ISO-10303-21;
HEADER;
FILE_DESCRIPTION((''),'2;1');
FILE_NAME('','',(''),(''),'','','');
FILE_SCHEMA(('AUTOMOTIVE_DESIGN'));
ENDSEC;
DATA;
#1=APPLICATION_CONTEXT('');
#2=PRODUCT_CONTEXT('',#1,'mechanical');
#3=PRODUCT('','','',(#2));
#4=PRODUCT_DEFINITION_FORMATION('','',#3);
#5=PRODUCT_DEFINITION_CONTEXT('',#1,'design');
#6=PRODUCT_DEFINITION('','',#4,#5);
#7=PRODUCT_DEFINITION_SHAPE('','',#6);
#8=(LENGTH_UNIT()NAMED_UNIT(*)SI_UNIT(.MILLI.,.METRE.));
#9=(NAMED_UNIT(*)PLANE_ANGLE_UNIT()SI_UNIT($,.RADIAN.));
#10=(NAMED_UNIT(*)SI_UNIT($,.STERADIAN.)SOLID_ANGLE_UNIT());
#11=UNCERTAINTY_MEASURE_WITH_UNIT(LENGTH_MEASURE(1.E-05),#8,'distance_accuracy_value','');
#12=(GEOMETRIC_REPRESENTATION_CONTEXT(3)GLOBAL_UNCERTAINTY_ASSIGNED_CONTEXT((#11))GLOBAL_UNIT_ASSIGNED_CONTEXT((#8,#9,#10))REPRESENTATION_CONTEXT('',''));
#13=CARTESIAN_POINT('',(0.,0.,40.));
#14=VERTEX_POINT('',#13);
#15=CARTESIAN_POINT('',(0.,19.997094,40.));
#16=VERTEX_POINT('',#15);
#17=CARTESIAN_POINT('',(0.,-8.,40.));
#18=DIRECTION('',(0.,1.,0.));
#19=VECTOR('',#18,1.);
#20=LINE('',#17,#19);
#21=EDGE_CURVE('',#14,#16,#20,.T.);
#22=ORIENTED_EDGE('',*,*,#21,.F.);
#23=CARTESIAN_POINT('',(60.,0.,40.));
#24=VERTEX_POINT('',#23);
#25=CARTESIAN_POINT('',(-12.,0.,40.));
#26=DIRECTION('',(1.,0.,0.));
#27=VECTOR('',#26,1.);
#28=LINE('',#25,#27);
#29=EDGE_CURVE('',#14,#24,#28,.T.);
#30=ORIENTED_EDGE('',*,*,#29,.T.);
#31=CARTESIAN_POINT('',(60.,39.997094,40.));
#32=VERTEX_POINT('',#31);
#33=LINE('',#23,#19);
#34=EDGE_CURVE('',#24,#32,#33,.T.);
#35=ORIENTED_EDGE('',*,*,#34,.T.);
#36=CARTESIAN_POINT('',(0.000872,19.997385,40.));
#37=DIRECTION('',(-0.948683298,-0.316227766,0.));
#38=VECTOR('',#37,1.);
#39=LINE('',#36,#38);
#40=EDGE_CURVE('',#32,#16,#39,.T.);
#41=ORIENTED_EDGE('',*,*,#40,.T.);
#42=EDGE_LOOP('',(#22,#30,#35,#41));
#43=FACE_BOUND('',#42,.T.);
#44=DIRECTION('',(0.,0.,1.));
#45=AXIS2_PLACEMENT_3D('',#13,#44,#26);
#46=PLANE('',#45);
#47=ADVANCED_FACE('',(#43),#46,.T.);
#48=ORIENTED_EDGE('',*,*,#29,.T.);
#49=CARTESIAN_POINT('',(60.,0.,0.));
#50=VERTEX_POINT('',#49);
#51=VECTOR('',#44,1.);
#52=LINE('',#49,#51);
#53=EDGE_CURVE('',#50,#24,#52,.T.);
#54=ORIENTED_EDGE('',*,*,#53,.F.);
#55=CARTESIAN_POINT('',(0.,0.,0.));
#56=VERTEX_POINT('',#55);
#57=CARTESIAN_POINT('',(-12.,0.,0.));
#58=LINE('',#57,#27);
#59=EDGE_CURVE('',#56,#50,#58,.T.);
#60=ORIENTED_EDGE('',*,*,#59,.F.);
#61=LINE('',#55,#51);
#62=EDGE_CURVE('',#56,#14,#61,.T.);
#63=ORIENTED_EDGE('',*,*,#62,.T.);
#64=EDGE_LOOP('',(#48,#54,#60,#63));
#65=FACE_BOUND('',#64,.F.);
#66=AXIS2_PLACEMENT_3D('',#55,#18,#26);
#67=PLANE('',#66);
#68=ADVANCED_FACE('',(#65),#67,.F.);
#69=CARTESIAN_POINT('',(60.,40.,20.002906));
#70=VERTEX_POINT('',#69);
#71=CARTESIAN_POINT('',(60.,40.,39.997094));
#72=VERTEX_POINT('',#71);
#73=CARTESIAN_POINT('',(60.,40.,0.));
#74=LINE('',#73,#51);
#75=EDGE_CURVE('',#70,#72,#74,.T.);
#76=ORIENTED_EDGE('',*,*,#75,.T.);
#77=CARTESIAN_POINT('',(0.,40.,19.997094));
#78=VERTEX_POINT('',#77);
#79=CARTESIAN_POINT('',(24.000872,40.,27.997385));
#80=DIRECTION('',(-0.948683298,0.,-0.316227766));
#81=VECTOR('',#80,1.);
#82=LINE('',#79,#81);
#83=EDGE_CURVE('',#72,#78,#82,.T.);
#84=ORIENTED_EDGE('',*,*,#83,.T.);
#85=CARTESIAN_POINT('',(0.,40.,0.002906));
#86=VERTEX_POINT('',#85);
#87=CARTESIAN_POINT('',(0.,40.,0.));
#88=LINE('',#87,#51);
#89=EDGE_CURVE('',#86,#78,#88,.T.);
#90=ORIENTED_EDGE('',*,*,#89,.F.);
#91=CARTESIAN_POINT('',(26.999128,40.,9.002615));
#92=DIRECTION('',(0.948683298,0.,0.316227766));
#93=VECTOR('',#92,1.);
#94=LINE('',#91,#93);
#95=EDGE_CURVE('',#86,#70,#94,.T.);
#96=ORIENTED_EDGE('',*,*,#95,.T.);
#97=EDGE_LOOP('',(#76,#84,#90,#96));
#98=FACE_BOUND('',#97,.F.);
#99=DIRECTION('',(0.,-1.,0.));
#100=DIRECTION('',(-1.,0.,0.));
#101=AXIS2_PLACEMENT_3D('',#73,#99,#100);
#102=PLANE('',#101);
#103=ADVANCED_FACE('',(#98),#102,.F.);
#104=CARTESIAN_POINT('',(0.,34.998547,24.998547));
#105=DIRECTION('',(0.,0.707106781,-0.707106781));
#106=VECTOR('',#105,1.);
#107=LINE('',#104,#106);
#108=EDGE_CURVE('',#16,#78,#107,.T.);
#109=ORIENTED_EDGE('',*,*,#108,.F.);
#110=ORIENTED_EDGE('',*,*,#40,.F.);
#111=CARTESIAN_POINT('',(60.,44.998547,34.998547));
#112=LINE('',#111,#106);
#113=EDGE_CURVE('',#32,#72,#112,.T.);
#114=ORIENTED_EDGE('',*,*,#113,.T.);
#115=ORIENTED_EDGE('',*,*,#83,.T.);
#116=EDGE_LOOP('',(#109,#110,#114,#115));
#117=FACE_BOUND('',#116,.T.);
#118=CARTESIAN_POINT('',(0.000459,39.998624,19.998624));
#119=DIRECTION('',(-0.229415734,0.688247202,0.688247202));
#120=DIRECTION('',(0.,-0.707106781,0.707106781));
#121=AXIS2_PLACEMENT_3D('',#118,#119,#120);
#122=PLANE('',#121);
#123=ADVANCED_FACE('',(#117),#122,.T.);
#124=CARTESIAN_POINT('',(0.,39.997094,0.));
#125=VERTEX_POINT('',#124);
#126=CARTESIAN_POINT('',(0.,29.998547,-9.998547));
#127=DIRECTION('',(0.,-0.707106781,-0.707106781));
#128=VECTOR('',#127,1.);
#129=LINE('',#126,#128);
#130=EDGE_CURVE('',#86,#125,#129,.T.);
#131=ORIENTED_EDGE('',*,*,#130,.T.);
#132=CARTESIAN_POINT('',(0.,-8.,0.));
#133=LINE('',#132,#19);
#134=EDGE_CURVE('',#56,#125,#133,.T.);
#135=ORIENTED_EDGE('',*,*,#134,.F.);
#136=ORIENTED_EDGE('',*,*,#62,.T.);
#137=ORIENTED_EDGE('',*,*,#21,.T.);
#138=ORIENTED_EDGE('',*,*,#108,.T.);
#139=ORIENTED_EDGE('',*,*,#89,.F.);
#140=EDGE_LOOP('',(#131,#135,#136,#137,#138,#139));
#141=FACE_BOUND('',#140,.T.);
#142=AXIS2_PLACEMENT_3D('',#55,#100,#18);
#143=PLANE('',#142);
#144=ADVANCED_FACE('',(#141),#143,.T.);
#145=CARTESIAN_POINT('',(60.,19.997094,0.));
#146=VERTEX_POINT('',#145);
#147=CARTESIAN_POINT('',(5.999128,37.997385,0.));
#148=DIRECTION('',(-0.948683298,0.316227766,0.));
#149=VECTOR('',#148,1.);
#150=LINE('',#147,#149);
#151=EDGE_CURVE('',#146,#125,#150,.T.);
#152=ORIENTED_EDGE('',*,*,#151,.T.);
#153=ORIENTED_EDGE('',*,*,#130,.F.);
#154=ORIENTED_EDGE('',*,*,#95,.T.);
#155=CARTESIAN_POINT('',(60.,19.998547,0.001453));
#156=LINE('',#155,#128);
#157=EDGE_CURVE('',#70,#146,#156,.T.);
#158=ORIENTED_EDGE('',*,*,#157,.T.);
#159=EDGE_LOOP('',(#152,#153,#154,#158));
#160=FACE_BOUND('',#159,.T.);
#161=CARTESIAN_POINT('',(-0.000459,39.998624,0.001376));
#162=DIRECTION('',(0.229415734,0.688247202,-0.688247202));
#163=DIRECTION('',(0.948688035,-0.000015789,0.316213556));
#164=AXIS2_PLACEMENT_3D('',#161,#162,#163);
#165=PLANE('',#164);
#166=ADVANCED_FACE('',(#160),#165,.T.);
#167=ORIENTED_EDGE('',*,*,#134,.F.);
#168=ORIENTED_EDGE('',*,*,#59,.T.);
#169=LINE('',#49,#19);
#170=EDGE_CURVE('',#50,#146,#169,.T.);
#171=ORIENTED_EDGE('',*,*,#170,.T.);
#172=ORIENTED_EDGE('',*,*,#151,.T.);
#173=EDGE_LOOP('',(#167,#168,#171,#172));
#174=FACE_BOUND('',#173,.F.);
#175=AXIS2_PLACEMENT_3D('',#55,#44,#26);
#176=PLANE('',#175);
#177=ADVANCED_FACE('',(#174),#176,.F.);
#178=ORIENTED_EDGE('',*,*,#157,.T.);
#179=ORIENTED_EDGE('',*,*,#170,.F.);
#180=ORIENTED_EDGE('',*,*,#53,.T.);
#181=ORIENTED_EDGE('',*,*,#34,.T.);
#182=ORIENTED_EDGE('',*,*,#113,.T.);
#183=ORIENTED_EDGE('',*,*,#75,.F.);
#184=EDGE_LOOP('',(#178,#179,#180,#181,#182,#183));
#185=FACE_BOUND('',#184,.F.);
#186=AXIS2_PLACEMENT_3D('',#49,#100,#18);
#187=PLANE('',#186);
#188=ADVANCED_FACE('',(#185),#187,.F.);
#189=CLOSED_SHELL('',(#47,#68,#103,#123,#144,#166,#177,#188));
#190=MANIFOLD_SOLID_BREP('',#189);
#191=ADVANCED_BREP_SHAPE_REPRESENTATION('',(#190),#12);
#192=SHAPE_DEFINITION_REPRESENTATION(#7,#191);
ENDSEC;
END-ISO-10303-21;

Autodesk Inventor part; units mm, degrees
ref_plane "YZ Plane" through (0, 0, 0) normal (1, 0, 0) x (0, 1, 0)
sketch "草圖1" plane through (0, 0, 0) normal (0, 0, 1) x (1, 0, 0)
  line L0 (-12, 0) -> (72, 0) projected
  line L1 (0, -8) -> (0, 48) projected
  line L2 (0, 0) -> (60, 0)
  line L3 (60, 0) -> (60, 40)
  line L4 (60, 40) -> (0, 40)
  line L5 (0, 40) -> (0, 0)
  dimension "d0" = 60
  dimension "d1" = 40
extrude "擠出1" add sketch "草圖1" along normal blind 40
ref_plane "工作平面1" through (0, 40, 20) normal (-0.2294, 0.6882, 0.6882) x (0, -0.7071, 0.7071)
sketch "草圖2" plane through (0, 40, 20) normal (-0.2294, 0.6882, 0.6882) x (0, -0.7071, 0.7071)
  line L0 (42.4264, 55.1553) -> (14.1421, 61.6441) projected
  line L1 (14.1421, 3.2444) -> (42.4264, -3.2444) projected
  line L2 (-14.1421, -3.2444) -> (14.1421, 3.2444) projected
  line L3 (-24.1266, -29.4243) -> (37.1709, -29.4243)
  line L4 (37.1709, -29.4243) -> (37.1709, 87.3992)
  line L5 (37.1709, 87.3992) -> (-24.1266, 87.3992)
  line L6 (-24.1266, 87.3992) -> (-24.1266, -29.4243)
  point P0 (14.1421, -9.7333)
extrude "擠出2" cut sketch "草圖2" along normal blind 40
ref_plane "工作平面3" through (0, 40, 0) normal (0.2294, 0.6882, -0.6882) x (0.9487, 0, 0.3162)
sketch "草圖4" plane through (0, 40, 0) normal (0.2294, 0.6882, -0.6882) x (0.9487, 0, 0.3162)
  line L0 (-18.5971, -44.6398) -> (132.4913, -44.6398)
  line L1 (132.4913, -44.6398) -> (132.4913, 100.0809)
  line L2 (132.4913, 100.0809) -> (-18.5971, 100.0809)
  line L3 (-18.5971, 100.0809) -> (-18.5971, -44.6398)
  point P0 (0, 29.0191)
extrude "擠出4" cut sketch "草圖4" along normal blind 40
